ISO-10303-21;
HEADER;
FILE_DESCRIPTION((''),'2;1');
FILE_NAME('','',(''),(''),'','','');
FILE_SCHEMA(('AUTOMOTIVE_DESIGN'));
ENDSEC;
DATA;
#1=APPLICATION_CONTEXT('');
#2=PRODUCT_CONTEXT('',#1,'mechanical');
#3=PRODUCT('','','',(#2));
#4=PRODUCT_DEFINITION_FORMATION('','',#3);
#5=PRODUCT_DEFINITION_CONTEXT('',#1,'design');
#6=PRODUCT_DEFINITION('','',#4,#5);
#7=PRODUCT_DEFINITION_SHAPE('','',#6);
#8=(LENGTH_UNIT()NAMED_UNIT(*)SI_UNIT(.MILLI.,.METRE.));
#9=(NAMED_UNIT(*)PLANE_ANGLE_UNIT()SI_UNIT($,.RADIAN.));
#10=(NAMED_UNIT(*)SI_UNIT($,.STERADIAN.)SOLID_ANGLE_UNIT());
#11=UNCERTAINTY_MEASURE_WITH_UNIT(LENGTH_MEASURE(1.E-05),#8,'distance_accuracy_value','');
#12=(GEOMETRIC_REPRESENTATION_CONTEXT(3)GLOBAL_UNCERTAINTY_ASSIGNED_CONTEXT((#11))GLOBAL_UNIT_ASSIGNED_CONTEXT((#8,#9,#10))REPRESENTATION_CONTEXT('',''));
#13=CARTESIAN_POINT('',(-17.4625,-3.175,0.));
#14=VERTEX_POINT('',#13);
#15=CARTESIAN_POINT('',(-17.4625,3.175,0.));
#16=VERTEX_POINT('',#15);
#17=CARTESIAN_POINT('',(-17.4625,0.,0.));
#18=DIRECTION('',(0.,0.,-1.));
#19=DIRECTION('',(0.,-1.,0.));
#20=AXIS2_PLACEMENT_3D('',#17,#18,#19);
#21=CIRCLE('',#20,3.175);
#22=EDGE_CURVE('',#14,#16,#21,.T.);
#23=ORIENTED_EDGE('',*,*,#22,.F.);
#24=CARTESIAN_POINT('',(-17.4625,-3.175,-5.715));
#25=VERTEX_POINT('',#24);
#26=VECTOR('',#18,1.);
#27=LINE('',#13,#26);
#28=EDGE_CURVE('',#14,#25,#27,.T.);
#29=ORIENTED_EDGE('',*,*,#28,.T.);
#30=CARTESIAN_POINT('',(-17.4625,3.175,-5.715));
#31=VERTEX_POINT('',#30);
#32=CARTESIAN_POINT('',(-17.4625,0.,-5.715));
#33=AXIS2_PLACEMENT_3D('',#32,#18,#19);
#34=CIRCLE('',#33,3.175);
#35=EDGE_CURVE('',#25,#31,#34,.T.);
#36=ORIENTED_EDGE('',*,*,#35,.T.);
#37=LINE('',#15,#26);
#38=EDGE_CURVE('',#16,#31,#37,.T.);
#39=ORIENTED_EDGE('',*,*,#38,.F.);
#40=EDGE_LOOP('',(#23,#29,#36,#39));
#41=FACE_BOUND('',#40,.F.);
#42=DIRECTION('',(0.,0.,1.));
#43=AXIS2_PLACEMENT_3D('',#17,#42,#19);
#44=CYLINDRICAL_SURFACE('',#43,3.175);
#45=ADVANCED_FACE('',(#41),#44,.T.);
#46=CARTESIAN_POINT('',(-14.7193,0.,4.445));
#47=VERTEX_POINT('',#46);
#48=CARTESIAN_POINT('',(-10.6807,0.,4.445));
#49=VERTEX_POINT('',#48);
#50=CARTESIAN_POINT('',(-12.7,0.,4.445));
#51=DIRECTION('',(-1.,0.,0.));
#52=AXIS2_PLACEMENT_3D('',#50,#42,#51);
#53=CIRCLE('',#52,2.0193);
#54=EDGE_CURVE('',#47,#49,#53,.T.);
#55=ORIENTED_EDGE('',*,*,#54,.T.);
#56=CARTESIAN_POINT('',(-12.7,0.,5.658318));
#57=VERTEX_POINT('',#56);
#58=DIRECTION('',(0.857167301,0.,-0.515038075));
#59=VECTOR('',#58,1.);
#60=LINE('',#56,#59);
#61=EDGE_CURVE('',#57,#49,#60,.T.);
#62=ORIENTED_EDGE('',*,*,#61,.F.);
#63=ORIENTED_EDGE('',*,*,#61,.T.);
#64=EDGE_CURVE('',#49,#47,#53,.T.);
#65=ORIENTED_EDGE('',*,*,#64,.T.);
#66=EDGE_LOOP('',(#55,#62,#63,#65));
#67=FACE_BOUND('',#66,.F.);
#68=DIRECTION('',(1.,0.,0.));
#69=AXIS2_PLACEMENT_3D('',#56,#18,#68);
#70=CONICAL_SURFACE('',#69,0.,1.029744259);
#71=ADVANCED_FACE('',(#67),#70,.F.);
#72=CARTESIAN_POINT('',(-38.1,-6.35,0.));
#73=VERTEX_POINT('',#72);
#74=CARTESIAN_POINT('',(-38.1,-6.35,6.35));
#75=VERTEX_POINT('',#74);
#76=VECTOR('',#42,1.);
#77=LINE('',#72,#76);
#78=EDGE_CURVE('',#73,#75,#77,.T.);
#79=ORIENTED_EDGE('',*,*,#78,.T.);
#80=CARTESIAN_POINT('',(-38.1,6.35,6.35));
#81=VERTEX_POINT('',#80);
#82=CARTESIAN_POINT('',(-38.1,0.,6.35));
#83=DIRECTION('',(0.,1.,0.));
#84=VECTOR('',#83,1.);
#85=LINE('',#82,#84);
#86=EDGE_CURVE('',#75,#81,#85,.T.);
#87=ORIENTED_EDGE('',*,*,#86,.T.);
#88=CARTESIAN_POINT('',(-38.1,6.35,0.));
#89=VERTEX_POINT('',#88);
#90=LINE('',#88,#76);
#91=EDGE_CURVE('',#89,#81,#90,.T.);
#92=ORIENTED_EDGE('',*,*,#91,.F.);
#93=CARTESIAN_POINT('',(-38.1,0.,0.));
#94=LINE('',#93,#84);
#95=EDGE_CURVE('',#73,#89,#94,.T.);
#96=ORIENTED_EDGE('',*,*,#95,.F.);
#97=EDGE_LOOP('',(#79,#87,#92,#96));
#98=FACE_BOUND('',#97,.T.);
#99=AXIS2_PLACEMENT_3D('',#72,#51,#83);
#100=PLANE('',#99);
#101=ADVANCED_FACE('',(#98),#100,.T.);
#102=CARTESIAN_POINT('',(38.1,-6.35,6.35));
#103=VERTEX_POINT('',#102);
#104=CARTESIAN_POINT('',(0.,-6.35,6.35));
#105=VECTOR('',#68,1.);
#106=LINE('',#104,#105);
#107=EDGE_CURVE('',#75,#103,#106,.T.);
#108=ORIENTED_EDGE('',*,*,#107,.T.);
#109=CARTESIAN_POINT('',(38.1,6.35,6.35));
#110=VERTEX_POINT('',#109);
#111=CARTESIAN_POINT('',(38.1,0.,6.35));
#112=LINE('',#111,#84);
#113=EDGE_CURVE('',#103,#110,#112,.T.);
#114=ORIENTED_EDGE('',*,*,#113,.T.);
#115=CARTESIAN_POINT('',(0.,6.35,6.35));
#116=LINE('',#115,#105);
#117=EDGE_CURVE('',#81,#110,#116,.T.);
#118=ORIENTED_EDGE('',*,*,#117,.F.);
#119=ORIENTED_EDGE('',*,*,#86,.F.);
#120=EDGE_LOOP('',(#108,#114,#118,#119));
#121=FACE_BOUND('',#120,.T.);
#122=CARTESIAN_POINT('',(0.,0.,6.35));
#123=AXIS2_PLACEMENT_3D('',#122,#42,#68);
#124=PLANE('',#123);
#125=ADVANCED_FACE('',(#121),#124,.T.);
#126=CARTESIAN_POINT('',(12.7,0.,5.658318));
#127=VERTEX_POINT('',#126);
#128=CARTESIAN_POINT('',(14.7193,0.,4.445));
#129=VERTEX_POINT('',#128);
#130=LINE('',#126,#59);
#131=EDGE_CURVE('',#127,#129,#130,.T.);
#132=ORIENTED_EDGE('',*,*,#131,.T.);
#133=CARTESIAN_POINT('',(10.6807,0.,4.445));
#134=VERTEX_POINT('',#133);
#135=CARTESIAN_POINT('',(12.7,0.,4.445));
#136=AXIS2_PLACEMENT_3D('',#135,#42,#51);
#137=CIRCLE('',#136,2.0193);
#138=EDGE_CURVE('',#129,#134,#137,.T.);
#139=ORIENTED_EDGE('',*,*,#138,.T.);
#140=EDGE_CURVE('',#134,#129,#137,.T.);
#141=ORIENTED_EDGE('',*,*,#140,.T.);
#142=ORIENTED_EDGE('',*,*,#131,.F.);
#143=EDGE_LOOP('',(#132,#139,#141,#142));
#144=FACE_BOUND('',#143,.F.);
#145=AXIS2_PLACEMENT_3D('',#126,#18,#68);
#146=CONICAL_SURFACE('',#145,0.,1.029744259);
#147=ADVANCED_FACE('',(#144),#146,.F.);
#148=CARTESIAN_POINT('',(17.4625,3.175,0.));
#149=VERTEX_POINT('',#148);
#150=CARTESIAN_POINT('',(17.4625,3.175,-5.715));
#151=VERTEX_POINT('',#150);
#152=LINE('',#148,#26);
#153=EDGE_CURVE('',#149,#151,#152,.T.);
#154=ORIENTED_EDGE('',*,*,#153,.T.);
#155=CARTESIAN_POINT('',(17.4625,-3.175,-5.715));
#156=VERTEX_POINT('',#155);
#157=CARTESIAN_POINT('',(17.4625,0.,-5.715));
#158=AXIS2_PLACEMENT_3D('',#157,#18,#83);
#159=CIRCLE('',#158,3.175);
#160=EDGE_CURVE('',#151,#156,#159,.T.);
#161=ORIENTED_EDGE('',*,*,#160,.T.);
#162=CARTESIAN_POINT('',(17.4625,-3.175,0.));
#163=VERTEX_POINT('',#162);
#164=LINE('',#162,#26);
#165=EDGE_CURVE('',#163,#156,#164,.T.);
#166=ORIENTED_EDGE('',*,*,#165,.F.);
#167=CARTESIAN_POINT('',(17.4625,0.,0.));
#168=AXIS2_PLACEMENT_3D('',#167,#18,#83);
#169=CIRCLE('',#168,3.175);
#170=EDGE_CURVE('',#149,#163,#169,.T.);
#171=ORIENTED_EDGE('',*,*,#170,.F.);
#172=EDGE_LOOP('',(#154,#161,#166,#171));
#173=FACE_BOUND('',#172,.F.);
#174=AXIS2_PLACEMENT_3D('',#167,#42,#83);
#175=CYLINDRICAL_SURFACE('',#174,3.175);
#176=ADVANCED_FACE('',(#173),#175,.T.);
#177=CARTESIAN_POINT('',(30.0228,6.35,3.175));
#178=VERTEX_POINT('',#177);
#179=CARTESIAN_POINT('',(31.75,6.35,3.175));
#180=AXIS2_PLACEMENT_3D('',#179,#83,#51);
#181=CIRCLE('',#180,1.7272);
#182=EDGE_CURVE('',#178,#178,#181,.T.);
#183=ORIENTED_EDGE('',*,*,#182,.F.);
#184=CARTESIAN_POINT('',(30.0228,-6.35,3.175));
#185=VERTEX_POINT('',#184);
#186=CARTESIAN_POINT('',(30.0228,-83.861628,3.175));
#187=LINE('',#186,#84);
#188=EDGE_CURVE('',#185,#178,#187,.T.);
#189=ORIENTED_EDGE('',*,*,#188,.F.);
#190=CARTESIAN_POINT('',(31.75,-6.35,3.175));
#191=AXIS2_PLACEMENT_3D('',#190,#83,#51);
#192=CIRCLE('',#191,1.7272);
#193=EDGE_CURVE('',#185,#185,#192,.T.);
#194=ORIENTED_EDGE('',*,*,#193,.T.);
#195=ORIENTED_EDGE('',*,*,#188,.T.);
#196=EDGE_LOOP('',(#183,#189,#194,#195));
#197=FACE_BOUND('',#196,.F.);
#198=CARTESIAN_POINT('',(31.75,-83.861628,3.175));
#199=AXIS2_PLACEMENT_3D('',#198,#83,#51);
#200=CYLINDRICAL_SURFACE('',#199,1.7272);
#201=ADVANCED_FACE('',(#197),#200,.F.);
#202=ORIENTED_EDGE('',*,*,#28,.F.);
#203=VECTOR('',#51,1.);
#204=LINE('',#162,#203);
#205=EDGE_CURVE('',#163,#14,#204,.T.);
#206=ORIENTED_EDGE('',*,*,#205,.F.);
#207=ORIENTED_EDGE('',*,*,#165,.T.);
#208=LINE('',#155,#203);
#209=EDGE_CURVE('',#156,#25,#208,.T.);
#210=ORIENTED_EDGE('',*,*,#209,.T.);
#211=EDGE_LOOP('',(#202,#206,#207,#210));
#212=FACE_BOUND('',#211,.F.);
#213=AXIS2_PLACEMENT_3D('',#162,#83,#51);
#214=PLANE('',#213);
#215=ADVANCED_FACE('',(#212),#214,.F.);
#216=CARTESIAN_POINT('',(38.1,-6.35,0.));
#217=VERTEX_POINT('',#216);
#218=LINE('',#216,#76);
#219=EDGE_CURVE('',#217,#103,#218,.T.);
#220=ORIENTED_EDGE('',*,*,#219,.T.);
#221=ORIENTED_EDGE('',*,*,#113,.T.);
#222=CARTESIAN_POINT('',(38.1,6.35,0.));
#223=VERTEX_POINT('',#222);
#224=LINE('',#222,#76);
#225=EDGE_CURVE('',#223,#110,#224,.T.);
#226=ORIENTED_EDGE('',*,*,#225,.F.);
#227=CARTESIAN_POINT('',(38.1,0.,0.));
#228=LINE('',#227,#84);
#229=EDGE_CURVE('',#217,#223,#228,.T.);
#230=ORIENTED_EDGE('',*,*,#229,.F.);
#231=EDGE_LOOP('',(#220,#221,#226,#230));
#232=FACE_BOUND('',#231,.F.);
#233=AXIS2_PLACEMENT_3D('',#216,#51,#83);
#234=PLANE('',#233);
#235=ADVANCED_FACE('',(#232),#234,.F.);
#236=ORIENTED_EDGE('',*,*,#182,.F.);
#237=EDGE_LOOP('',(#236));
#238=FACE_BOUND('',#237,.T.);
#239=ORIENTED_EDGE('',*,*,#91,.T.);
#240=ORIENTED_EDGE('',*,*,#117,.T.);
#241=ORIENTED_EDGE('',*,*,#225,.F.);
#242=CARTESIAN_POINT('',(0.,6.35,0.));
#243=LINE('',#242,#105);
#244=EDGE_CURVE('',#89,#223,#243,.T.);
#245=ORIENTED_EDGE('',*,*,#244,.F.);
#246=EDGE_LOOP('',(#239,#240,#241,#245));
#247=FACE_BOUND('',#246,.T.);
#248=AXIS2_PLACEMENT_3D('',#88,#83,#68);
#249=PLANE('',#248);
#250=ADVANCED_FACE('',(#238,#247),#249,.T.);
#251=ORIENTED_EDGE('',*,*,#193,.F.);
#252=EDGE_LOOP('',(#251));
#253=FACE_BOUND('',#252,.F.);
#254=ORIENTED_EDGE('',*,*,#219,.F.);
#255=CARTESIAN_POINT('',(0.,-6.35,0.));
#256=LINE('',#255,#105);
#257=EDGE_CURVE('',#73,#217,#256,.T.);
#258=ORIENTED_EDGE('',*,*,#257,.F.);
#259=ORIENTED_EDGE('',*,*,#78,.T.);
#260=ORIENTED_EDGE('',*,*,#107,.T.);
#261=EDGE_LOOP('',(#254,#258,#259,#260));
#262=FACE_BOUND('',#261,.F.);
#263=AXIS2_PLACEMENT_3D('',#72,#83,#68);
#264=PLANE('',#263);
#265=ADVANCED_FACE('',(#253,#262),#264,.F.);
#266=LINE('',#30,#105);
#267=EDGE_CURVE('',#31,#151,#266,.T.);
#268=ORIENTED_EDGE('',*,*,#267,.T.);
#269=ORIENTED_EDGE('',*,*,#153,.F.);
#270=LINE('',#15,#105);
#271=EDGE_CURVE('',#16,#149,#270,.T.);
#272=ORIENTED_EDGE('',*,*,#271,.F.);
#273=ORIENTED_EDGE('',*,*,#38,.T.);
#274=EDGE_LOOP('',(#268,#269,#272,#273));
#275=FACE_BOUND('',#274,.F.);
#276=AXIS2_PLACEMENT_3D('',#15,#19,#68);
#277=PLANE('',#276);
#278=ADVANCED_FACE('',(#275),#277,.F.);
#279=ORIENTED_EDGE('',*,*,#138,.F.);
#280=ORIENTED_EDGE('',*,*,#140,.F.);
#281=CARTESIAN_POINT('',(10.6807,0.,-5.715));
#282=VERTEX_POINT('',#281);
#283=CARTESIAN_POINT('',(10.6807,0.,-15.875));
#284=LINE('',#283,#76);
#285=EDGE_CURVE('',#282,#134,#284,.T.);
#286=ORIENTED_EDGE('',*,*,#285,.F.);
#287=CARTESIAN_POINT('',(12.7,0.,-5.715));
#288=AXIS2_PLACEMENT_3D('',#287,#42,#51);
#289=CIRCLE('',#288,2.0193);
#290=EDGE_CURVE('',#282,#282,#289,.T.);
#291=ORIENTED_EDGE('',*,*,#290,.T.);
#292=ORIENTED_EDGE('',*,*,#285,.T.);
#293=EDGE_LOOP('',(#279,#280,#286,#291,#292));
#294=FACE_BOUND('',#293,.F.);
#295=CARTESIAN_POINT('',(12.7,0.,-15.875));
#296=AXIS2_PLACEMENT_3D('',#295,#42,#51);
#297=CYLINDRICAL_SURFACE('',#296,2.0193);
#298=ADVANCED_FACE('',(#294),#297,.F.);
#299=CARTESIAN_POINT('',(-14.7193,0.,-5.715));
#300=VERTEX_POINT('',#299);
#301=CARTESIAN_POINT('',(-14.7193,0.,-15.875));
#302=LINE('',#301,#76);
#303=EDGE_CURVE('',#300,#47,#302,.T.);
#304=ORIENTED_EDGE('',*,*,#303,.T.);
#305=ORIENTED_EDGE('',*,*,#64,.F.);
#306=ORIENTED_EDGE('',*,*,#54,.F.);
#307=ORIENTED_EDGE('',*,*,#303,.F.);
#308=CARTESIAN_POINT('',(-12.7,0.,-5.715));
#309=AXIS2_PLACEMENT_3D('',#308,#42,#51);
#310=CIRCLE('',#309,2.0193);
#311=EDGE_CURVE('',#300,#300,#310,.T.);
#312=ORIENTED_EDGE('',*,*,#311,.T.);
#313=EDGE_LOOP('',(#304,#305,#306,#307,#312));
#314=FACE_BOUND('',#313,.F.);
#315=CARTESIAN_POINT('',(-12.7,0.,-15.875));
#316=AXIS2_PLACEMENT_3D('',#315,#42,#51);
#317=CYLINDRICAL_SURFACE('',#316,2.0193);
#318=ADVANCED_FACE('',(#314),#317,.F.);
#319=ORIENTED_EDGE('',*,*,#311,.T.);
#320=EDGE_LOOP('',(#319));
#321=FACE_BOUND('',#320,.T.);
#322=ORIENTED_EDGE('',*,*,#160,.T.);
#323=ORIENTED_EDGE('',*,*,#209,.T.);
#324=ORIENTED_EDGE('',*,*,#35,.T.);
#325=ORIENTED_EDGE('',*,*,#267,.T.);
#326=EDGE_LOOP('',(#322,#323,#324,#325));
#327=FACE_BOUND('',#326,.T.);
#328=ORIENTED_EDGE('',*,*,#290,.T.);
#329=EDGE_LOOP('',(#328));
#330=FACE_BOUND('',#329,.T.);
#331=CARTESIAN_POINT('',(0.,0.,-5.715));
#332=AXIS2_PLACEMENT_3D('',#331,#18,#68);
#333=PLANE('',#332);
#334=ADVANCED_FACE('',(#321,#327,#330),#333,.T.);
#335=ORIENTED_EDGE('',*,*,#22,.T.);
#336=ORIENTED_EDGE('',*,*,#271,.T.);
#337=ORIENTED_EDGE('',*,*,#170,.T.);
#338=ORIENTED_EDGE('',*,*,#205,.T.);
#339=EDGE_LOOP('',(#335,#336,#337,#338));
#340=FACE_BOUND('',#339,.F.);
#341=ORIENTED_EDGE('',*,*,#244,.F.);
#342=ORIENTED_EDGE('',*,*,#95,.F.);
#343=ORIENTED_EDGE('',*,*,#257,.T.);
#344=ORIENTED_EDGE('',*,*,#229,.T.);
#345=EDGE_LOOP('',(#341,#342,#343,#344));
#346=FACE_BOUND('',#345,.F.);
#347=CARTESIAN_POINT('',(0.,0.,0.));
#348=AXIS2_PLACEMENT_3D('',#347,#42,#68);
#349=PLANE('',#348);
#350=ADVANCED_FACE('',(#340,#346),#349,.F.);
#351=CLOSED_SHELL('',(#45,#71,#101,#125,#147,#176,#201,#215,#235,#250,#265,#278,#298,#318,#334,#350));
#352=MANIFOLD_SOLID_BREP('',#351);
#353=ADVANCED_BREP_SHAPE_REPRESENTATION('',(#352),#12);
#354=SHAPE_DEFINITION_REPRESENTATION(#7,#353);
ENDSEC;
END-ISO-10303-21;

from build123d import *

# Parameters (mm, degrees)
F0_W     = 76.2
F0_H     = 12.7
F1_DEPTH = 6.35
F4_D     = 3.4544
F6_DEPTH = 5.715
F8_D     = 4.0386
F8_DEPTH = 10.16
F8_TIP   = 1.213317848


with BuildPart() as f1:
    # F0 (on Top) → F1 (new body)
    with BuildSketch(Plane.XY):
        Rectangle(F0_W, F0_H)
    extrude(amount=F1_DEPTH)

    # F4 (through all)
    with Locations(Plane.XZ.offset(6.35)):
        with Locations((31.75, 3.175)):
            Hole(F4_D / 2)

    # F5 (on face) → F6 (join)
    with BuildSketch(Plane(origin=(0, 0, 0), x_dir=(1, 0, 0), z_dir=(0, 0, -1))):
        with BuildLine():
            ThreePointArc((-17.4625, 3.175), (-20.6375, 0), (-17.4625, -3.175))
            Line((-17.4625, -3.175), (17.4625, -3.175))
            ThreePointArc((17.4625, -3.175), (20.6375, 0), (17.4625, 3.175))
            Line((17.4625, 3.175), (-17.4625, 3.175))
        make_face()
    extrude(amount=F6_DEPTH)

    # F8
    with Locations(Plane(origin=(0, 0, -5.715), x_dir=(1, 0, 0), z_dir=(0, 0, -1))):
        with Locations((-12.7, 0), (12.7, 0)):
            Hole(F8_D / 2, depth=F8_DEPTH)
            with Locations((0, 0, -(F8_DEPTH + F8_TIP / 2))):  # 118° drill point
                Cone(0, F8_D / 2, F8_TIP, mode=Mode.SUBTRACT)


solid = f1.part
